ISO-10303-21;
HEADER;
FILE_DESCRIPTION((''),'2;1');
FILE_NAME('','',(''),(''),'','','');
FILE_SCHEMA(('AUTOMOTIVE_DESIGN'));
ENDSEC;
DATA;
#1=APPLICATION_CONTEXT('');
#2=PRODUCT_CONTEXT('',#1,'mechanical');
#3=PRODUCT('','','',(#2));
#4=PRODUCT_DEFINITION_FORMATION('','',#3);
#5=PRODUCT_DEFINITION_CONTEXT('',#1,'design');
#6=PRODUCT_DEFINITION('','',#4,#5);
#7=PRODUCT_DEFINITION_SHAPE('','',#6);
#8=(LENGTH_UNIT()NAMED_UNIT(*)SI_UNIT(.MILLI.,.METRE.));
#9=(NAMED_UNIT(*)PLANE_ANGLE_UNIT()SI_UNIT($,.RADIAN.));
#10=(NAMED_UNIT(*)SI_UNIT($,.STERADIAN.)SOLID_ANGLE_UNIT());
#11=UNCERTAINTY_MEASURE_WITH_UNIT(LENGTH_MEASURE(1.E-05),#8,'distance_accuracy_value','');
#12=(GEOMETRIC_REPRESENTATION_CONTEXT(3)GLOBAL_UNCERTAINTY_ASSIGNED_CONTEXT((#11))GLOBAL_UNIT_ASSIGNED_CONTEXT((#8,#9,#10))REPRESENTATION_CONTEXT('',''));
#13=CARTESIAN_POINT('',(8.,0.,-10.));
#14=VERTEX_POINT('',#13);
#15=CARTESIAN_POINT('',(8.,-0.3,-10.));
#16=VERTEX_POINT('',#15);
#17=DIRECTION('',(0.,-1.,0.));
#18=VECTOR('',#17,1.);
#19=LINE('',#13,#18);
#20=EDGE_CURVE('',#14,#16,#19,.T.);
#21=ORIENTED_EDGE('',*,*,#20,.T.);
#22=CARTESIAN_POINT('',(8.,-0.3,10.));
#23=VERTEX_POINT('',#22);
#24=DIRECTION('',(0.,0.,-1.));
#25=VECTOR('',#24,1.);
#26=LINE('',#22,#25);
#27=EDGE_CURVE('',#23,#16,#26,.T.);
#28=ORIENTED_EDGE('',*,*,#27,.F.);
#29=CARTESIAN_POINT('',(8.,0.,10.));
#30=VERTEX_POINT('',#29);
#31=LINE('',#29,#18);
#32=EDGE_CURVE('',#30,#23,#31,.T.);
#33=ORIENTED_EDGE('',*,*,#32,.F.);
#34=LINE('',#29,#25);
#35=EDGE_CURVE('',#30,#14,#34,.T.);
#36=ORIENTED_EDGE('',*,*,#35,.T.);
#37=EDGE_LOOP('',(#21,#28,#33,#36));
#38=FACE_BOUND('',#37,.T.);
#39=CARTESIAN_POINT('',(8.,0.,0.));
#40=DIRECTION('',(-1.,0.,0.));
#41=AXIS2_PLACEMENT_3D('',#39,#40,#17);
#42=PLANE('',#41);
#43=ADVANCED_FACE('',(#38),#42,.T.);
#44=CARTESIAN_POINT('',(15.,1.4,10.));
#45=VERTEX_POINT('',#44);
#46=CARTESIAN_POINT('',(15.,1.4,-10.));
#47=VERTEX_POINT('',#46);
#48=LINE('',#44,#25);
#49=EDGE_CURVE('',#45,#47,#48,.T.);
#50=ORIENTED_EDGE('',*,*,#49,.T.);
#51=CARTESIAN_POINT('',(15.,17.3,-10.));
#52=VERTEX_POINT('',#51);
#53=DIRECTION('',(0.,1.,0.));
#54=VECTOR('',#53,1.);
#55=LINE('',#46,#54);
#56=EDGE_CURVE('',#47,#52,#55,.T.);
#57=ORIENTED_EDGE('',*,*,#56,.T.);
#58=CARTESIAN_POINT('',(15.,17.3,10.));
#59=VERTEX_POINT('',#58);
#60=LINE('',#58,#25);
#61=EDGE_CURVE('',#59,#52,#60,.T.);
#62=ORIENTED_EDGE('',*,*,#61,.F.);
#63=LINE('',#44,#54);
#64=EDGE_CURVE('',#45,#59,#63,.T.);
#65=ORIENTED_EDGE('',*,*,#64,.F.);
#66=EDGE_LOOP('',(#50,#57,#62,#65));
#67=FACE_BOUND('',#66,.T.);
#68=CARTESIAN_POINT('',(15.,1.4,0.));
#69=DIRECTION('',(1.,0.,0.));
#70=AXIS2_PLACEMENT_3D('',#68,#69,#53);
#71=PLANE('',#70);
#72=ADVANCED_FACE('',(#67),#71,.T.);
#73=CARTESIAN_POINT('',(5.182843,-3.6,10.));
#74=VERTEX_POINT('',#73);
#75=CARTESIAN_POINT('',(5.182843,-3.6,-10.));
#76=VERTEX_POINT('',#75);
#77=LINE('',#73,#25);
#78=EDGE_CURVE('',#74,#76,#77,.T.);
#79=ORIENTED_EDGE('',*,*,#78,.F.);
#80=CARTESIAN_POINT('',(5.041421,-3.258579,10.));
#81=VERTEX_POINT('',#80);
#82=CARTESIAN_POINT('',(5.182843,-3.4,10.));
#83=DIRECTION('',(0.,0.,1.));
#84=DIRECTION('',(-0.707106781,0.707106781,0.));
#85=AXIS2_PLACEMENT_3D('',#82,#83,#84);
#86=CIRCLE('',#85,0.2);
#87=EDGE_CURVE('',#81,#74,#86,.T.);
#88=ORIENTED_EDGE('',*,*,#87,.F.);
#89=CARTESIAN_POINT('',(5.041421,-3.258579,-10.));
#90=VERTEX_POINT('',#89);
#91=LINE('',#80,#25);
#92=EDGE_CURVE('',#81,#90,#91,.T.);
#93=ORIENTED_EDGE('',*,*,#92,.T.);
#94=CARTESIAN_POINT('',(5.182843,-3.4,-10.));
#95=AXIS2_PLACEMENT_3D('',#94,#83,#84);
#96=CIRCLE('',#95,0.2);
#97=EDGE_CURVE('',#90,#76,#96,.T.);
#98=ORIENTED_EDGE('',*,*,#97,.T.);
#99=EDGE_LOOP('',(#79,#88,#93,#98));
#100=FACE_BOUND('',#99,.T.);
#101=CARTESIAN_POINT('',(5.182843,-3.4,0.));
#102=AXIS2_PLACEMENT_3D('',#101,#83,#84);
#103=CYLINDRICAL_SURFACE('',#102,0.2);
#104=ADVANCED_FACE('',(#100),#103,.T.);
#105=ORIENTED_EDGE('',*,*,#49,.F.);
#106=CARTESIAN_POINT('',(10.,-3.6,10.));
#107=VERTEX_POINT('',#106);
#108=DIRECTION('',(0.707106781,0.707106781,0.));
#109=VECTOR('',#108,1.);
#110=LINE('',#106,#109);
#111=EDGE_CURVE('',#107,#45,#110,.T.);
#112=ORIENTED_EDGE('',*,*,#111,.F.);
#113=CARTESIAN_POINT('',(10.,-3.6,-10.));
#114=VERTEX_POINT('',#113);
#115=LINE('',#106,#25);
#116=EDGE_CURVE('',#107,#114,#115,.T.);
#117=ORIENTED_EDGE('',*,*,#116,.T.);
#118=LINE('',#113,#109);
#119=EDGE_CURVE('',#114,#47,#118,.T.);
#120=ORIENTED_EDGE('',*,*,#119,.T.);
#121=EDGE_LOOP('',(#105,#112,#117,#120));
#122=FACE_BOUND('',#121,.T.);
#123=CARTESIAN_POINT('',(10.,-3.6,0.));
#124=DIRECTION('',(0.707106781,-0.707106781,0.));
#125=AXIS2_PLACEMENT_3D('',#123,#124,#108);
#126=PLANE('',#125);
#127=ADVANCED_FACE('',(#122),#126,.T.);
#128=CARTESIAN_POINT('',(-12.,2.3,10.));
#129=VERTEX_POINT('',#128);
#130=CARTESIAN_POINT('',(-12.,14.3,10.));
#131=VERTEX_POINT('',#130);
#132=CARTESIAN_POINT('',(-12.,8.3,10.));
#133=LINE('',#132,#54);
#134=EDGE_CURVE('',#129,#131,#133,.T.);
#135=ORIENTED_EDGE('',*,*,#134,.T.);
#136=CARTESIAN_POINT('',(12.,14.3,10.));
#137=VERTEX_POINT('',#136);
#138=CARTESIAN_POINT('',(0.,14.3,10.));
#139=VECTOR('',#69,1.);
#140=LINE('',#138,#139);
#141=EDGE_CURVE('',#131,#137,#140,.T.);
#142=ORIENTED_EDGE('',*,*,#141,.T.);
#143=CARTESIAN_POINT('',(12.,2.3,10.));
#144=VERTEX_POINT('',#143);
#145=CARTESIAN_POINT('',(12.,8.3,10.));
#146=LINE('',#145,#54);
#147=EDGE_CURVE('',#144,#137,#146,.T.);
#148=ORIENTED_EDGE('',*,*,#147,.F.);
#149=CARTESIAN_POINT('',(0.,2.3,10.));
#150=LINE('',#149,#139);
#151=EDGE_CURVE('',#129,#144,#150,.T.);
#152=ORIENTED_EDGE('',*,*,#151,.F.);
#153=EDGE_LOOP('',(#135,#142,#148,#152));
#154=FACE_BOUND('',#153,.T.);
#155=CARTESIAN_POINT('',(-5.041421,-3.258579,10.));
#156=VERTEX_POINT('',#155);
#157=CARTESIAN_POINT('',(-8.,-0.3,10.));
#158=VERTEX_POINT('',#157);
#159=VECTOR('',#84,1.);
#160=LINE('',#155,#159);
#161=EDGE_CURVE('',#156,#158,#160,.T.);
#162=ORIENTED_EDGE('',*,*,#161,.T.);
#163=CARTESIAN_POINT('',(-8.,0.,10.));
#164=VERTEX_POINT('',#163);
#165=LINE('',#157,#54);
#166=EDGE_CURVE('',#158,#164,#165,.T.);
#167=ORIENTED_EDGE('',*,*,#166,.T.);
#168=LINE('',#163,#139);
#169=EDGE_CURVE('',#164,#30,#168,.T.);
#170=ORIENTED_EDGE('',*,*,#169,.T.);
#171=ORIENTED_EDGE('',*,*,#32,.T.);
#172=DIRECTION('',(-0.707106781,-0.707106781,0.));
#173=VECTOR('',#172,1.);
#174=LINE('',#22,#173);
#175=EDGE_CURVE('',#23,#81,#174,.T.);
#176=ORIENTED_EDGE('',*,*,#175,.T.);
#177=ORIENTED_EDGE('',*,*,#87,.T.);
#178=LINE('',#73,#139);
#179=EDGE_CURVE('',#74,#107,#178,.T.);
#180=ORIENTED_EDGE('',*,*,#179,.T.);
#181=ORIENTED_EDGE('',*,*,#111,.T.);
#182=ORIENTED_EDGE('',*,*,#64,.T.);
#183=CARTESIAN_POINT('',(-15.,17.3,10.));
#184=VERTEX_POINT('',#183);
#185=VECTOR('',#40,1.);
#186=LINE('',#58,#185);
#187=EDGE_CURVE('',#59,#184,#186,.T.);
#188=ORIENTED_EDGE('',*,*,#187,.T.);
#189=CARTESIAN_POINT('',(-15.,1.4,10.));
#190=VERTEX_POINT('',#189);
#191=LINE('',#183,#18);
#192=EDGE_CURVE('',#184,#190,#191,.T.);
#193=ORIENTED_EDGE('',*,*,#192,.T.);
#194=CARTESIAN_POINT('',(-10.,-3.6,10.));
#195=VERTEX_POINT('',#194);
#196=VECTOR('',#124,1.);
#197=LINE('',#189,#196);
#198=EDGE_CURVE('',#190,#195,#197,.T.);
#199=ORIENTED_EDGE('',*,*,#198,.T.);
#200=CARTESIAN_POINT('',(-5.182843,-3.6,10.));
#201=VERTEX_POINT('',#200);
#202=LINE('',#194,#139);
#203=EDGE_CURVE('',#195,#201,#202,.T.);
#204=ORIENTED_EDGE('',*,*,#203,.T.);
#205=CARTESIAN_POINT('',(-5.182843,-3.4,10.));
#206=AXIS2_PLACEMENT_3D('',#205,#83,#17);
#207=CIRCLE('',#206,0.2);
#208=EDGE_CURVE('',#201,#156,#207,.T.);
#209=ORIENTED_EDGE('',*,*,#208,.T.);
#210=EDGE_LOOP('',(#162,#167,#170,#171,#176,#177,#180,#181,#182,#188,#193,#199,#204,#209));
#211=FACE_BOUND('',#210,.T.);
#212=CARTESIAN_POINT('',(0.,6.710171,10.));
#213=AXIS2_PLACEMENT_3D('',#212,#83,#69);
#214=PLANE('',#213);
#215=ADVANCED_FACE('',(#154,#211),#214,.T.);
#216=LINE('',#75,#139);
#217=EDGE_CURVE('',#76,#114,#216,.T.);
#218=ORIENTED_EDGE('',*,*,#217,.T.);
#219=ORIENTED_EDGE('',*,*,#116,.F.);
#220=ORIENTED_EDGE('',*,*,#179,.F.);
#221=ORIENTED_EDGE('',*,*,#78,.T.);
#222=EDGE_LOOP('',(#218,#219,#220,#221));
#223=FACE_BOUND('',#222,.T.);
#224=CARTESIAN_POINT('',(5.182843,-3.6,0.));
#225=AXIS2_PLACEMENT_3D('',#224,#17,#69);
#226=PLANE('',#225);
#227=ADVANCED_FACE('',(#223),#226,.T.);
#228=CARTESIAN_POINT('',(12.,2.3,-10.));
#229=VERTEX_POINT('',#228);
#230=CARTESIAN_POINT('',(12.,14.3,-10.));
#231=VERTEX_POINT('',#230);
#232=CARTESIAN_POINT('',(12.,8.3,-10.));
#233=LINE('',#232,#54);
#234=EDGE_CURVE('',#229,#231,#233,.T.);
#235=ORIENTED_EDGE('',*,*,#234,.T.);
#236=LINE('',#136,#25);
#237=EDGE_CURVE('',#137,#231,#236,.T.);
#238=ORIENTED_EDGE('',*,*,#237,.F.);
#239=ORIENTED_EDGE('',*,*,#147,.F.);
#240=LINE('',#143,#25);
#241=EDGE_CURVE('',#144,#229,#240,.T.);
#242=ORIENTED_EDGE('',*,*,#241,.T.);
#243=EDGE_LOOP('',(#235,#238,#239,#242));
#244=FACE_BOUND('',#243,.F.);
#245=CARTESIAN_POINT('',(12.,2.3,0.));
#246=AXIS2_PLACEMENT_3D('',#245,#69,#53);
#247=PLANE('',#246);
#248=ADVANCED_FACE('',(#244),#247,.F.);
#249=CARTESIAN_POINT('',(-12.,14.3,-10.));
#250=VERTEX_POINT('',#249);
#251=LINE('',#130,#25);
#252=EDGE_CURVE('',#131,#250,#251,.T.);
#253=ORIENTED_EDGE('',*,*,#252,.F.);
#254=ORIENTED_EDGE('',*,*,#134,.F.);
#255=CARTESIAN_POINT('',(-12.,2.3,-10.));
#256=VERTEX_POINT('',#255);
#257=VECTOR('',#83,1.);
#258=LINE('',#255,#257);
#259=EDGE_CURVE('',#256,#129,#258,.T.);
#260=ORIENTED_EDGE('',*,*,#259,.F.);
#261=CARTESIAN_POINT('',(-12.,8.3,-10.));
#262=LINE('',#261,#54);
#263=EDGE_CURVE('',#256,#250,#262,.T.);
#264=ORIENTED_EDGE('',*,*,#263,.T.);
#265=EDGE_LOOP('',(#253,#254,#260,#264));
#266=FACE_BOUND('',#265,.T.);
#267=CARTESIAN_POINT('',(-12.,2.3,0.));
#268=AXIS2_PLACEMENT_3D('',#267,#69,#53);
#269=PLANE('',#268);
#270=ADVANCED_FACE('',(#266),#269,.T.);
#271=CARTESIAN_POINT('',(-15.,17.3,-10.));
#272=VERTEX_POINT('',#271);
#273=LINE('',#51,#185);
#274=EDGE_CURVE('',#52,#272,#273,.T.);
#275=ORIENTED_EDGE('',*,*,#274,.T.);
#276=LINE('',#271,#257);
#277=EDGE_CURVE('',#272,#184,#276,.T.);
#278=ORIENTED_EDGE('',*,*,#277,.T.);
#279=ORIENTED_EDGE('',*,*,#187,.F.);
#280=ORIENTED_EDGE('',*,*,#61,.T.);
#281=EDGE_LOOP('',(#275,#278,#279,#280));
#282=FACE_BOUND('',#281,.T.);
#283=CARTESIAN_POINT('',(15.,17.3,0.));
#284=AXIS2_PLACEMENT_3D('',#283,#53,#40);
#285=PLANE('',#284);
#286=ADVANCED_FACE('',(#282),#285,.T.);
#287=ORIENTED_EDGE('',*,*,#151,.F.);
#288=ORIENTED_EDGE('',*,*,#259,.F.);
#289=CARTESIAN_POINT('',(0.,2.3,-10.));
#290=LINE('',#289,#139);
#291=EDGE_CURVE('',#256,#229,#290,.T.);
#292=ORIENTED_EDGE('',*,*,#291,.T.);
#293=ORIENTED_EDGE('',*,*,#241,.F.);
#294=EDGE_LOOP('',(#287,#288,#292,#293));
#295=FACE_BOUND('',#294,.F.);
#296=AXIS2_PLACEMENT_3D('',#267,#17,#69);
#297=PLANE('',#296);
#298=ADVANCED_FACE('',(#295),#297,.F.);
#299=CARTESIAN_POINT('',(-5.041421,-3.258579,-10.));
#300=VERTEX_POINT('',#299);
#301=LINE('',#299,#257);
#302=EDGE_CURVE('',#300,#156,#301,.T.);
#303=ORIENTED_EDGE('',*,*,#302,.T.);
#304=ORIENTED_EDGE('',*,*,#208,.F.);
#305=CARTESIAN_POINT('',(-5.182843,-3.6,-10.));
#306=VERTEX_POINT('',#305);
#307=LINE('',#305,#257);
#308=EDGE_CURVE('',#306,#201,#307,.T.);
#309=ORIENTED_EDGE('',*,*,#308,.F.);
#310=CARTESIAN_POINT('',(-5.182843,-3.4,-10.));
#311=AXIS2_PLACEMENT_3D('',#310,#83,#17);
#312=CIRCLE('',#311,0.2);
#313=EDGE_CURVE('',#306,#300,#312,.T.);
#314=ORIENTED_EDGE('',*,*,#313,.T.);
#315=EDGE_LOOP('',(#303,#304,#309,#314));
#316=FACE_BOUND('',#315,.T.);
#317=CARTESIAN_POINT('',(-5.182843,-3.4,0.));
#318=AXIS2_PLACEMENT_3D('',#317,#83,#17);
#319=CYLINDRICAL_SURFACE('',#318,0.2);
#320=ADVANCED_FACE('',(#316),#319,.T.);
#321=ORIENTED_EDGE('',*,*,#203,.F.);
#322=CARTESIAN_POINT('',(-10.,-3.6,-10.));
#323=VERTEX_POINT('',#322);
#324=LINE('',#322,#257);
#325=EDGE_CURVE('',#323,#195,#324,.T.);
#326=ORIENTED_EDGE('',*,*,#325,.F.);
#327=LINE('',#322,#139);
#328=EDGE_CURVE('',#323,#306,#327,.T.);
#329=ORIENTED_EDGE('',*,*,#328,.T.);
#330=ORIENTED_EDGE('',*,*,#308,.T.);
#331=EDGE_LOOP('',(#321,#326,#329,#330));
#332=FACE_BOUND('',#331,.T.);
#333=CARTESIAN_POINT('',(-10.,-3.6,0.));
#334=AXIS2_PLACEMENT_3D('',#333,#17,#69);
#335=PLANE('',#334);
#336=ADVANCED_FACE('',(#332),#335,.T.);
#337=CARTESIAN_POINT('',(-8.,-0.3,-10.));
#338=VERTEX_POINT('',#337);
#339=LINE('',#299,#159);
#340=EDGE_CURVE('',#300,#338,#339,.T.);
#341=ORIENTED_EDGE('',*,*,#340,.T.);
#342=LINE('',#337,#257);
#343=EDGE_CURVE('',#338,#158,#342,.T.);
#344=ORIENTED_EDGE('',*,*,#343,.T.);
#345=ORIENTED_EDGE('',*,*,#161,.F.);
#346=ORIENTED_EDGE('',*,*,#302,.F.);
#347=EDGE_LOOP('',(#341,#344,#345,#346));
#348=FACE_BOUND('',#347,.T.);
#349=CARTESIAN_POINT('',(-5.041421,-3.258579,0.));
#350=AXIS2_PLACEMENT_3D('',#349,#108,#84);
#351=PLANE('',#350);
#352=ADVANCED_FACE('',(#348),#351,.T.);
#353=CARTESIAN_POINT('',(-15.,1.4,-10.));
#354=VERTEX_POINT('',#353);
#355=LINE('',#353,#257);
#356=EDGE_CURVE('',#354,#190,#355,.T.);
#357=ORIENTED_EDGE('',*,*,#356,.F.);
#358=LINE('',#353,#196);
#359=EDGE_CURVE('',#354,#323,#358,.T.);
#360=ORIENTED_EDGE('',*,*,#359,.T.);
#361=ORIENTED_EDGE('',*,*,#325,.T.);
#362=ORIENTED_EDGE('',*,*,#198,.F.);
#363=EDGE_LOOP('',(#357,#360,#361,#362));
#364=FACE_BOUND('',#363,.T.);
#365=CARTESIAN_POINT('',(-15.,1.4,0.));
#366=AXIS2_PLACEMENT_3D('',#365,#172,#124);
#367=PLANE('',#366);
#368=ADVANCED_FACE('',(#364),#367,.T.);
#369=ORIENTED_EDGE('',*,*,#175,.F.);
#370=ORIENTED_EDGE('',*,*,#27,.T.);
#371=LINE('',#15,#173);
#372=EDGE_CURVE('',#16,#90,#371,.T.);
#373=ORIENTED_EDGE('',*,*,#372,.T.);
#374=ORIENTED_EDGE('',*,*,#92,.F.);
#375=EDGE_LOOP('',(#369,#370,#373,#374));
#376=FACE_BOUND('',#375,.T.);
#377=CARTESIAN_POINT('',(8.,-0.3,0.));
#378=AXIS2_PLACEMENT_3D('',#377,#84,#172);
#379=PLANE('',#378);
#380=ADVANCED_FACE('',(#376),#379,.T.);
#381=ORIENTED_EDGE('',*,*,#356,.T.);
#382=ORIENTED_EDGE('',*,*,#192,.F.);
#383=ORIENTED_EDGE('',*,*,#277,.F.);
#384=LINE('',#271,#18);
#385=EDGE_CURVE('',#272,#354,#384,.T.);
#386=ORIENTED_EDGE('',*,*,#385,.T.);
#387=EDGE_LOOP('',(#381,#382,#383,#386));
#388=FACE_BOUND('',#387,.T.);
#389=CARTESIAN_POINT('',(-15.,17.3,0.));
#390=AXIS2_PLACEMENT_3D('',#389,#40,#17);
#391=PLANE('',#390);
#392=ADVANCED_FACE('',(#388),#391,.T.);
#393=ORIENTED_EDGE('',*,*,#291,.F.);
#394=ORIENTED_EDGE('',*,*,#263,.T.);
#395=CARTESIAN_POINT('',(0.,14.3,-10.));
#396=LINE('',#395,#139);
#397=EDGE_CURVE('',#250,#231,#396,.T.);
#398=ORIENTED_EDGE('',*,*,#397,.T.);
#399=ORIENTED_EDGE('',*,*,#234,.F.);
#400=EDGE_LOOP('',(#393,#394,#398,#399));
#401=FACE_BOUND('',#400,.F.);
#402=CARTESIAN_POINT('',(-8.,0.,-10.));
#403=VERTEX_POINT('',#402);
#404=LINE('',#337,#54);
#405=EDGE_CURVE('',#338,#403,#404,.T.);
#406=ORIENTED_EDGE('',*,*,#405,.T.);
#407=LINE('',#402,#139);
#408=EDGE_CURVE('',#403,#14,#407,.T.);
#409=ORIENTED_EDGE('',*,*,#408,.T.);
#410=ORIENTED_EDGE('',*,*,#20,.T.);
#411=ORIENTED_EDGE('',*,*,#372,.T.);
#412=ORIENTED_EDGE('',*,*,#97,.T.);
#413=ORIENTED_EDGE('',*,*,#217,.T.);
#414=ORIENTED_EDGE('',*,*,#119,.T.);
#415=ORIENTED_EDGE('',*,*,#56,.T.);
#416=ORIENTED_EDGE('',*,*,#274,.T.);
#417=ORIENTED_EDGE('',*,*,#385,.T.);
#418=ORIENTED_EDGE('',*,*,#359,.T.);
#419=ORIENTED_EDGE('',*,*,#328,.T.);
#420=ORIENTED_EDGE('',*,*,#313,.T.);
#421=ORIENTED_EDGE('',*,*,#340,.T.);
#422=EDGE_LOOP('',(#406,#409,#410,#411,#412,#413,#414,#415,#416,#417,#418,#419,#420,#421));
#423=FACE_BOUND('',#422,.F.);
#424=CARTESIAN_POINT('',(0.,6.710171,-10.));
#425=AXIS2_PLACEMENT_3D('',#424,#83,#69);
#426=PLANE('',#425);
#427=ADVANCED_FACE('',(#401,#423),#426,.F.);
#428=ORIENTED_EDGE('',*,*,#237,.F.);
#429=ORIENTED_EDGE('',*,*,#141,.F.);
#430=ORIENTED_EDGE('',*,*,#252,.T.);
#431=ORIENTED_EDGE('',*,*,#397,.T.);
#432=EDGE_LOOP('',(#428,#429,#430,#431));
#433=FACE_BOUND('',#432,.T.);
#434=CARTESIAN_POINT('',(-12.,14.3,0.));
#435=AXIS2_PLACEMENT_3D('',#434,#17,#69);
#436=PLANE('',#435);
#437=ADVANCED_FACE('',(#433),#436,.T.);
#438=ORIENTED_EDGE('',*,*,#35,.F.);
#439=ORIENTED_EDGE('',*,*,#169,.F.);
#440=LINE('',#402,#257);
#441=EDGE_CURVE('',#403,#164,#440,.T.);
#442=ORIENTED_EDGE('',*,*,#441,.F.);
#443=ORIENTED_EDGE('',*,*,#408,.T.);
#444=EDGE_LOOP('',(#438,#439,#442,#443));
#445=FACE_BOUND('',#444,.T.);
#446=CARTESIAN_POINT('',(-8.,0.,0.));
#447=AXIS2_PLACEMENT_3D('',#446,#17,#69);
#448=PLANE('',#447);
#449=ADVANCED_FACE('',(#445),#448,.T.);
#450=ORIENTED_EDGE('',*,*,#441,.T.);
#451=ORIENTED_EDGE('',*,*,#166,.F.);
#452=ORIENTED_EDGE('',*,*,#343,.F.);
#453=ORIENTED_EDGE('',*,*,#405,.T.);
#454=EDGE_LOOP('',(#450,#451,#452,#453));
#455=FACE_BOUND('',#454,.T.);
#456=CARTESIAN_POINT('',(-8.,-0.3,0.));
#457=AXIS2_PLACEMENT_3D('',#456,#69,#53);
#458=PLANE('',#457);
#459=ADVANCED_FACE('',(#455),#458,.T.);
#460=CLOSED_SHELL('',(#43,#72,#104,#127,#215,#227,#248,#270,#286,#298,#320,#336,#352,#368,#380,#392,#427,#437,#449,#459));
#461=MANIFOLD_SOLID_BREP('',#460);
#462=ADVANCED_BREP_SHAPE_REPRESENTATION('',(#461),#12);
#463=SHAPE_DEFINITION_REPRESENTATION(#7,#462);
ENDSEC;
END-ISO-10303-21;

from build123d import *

# Parameters (mm, degrees)
F0_W     = 24
F0_H     = 12
F1_DEPTH = 10


with BuildPart() as f1:
    # F0 (on Top) → F1 (new body, symmetric)
    with BuildSketch(Plane.XY):
        with BuildLine():
            Line((15, 17.3), (-15, 17.3))
            Line((-15, 17.3), (-15, 1.4))
            Line((-15, 1.4), (-10, -3.6))
            Line((-10, -3.6), (-5.1828427125, -3.6))
            ThreePointArc((-5.1828427125, -3.6), (-4.998066806, -3.4765366865), (-5.0414213562, -3.2585786438))
            Line((-5.0414213562, -3.2585786438), (-8, -0.3))
            Line((-8, -0.3), (-8, 0))
            Line((-8, 0), (8, 0))
            Line((8, 0), (8, -0.3))
            Line((8, -0.3), (5.0414213562, -3.2585786438))
            ThreePointArc((5.0414213562, -3.2585786438), (4.998066806, -3.4765366865), (5.1828427125, -3.6))
            Line((5.1828427125, -3.6), (10, -3.6))
            Line((10, -3.6), (15, 1.4))
            Line((15, 1.4), (15, 17.3))
        make_face()
        with Locations((0, 8.3)):
            Rectangle(F0_W, F0_H, mode=Mode.SUBTRACT)
    extrude(amount=F1_DEPTH, both=True)


solid = f1.part
